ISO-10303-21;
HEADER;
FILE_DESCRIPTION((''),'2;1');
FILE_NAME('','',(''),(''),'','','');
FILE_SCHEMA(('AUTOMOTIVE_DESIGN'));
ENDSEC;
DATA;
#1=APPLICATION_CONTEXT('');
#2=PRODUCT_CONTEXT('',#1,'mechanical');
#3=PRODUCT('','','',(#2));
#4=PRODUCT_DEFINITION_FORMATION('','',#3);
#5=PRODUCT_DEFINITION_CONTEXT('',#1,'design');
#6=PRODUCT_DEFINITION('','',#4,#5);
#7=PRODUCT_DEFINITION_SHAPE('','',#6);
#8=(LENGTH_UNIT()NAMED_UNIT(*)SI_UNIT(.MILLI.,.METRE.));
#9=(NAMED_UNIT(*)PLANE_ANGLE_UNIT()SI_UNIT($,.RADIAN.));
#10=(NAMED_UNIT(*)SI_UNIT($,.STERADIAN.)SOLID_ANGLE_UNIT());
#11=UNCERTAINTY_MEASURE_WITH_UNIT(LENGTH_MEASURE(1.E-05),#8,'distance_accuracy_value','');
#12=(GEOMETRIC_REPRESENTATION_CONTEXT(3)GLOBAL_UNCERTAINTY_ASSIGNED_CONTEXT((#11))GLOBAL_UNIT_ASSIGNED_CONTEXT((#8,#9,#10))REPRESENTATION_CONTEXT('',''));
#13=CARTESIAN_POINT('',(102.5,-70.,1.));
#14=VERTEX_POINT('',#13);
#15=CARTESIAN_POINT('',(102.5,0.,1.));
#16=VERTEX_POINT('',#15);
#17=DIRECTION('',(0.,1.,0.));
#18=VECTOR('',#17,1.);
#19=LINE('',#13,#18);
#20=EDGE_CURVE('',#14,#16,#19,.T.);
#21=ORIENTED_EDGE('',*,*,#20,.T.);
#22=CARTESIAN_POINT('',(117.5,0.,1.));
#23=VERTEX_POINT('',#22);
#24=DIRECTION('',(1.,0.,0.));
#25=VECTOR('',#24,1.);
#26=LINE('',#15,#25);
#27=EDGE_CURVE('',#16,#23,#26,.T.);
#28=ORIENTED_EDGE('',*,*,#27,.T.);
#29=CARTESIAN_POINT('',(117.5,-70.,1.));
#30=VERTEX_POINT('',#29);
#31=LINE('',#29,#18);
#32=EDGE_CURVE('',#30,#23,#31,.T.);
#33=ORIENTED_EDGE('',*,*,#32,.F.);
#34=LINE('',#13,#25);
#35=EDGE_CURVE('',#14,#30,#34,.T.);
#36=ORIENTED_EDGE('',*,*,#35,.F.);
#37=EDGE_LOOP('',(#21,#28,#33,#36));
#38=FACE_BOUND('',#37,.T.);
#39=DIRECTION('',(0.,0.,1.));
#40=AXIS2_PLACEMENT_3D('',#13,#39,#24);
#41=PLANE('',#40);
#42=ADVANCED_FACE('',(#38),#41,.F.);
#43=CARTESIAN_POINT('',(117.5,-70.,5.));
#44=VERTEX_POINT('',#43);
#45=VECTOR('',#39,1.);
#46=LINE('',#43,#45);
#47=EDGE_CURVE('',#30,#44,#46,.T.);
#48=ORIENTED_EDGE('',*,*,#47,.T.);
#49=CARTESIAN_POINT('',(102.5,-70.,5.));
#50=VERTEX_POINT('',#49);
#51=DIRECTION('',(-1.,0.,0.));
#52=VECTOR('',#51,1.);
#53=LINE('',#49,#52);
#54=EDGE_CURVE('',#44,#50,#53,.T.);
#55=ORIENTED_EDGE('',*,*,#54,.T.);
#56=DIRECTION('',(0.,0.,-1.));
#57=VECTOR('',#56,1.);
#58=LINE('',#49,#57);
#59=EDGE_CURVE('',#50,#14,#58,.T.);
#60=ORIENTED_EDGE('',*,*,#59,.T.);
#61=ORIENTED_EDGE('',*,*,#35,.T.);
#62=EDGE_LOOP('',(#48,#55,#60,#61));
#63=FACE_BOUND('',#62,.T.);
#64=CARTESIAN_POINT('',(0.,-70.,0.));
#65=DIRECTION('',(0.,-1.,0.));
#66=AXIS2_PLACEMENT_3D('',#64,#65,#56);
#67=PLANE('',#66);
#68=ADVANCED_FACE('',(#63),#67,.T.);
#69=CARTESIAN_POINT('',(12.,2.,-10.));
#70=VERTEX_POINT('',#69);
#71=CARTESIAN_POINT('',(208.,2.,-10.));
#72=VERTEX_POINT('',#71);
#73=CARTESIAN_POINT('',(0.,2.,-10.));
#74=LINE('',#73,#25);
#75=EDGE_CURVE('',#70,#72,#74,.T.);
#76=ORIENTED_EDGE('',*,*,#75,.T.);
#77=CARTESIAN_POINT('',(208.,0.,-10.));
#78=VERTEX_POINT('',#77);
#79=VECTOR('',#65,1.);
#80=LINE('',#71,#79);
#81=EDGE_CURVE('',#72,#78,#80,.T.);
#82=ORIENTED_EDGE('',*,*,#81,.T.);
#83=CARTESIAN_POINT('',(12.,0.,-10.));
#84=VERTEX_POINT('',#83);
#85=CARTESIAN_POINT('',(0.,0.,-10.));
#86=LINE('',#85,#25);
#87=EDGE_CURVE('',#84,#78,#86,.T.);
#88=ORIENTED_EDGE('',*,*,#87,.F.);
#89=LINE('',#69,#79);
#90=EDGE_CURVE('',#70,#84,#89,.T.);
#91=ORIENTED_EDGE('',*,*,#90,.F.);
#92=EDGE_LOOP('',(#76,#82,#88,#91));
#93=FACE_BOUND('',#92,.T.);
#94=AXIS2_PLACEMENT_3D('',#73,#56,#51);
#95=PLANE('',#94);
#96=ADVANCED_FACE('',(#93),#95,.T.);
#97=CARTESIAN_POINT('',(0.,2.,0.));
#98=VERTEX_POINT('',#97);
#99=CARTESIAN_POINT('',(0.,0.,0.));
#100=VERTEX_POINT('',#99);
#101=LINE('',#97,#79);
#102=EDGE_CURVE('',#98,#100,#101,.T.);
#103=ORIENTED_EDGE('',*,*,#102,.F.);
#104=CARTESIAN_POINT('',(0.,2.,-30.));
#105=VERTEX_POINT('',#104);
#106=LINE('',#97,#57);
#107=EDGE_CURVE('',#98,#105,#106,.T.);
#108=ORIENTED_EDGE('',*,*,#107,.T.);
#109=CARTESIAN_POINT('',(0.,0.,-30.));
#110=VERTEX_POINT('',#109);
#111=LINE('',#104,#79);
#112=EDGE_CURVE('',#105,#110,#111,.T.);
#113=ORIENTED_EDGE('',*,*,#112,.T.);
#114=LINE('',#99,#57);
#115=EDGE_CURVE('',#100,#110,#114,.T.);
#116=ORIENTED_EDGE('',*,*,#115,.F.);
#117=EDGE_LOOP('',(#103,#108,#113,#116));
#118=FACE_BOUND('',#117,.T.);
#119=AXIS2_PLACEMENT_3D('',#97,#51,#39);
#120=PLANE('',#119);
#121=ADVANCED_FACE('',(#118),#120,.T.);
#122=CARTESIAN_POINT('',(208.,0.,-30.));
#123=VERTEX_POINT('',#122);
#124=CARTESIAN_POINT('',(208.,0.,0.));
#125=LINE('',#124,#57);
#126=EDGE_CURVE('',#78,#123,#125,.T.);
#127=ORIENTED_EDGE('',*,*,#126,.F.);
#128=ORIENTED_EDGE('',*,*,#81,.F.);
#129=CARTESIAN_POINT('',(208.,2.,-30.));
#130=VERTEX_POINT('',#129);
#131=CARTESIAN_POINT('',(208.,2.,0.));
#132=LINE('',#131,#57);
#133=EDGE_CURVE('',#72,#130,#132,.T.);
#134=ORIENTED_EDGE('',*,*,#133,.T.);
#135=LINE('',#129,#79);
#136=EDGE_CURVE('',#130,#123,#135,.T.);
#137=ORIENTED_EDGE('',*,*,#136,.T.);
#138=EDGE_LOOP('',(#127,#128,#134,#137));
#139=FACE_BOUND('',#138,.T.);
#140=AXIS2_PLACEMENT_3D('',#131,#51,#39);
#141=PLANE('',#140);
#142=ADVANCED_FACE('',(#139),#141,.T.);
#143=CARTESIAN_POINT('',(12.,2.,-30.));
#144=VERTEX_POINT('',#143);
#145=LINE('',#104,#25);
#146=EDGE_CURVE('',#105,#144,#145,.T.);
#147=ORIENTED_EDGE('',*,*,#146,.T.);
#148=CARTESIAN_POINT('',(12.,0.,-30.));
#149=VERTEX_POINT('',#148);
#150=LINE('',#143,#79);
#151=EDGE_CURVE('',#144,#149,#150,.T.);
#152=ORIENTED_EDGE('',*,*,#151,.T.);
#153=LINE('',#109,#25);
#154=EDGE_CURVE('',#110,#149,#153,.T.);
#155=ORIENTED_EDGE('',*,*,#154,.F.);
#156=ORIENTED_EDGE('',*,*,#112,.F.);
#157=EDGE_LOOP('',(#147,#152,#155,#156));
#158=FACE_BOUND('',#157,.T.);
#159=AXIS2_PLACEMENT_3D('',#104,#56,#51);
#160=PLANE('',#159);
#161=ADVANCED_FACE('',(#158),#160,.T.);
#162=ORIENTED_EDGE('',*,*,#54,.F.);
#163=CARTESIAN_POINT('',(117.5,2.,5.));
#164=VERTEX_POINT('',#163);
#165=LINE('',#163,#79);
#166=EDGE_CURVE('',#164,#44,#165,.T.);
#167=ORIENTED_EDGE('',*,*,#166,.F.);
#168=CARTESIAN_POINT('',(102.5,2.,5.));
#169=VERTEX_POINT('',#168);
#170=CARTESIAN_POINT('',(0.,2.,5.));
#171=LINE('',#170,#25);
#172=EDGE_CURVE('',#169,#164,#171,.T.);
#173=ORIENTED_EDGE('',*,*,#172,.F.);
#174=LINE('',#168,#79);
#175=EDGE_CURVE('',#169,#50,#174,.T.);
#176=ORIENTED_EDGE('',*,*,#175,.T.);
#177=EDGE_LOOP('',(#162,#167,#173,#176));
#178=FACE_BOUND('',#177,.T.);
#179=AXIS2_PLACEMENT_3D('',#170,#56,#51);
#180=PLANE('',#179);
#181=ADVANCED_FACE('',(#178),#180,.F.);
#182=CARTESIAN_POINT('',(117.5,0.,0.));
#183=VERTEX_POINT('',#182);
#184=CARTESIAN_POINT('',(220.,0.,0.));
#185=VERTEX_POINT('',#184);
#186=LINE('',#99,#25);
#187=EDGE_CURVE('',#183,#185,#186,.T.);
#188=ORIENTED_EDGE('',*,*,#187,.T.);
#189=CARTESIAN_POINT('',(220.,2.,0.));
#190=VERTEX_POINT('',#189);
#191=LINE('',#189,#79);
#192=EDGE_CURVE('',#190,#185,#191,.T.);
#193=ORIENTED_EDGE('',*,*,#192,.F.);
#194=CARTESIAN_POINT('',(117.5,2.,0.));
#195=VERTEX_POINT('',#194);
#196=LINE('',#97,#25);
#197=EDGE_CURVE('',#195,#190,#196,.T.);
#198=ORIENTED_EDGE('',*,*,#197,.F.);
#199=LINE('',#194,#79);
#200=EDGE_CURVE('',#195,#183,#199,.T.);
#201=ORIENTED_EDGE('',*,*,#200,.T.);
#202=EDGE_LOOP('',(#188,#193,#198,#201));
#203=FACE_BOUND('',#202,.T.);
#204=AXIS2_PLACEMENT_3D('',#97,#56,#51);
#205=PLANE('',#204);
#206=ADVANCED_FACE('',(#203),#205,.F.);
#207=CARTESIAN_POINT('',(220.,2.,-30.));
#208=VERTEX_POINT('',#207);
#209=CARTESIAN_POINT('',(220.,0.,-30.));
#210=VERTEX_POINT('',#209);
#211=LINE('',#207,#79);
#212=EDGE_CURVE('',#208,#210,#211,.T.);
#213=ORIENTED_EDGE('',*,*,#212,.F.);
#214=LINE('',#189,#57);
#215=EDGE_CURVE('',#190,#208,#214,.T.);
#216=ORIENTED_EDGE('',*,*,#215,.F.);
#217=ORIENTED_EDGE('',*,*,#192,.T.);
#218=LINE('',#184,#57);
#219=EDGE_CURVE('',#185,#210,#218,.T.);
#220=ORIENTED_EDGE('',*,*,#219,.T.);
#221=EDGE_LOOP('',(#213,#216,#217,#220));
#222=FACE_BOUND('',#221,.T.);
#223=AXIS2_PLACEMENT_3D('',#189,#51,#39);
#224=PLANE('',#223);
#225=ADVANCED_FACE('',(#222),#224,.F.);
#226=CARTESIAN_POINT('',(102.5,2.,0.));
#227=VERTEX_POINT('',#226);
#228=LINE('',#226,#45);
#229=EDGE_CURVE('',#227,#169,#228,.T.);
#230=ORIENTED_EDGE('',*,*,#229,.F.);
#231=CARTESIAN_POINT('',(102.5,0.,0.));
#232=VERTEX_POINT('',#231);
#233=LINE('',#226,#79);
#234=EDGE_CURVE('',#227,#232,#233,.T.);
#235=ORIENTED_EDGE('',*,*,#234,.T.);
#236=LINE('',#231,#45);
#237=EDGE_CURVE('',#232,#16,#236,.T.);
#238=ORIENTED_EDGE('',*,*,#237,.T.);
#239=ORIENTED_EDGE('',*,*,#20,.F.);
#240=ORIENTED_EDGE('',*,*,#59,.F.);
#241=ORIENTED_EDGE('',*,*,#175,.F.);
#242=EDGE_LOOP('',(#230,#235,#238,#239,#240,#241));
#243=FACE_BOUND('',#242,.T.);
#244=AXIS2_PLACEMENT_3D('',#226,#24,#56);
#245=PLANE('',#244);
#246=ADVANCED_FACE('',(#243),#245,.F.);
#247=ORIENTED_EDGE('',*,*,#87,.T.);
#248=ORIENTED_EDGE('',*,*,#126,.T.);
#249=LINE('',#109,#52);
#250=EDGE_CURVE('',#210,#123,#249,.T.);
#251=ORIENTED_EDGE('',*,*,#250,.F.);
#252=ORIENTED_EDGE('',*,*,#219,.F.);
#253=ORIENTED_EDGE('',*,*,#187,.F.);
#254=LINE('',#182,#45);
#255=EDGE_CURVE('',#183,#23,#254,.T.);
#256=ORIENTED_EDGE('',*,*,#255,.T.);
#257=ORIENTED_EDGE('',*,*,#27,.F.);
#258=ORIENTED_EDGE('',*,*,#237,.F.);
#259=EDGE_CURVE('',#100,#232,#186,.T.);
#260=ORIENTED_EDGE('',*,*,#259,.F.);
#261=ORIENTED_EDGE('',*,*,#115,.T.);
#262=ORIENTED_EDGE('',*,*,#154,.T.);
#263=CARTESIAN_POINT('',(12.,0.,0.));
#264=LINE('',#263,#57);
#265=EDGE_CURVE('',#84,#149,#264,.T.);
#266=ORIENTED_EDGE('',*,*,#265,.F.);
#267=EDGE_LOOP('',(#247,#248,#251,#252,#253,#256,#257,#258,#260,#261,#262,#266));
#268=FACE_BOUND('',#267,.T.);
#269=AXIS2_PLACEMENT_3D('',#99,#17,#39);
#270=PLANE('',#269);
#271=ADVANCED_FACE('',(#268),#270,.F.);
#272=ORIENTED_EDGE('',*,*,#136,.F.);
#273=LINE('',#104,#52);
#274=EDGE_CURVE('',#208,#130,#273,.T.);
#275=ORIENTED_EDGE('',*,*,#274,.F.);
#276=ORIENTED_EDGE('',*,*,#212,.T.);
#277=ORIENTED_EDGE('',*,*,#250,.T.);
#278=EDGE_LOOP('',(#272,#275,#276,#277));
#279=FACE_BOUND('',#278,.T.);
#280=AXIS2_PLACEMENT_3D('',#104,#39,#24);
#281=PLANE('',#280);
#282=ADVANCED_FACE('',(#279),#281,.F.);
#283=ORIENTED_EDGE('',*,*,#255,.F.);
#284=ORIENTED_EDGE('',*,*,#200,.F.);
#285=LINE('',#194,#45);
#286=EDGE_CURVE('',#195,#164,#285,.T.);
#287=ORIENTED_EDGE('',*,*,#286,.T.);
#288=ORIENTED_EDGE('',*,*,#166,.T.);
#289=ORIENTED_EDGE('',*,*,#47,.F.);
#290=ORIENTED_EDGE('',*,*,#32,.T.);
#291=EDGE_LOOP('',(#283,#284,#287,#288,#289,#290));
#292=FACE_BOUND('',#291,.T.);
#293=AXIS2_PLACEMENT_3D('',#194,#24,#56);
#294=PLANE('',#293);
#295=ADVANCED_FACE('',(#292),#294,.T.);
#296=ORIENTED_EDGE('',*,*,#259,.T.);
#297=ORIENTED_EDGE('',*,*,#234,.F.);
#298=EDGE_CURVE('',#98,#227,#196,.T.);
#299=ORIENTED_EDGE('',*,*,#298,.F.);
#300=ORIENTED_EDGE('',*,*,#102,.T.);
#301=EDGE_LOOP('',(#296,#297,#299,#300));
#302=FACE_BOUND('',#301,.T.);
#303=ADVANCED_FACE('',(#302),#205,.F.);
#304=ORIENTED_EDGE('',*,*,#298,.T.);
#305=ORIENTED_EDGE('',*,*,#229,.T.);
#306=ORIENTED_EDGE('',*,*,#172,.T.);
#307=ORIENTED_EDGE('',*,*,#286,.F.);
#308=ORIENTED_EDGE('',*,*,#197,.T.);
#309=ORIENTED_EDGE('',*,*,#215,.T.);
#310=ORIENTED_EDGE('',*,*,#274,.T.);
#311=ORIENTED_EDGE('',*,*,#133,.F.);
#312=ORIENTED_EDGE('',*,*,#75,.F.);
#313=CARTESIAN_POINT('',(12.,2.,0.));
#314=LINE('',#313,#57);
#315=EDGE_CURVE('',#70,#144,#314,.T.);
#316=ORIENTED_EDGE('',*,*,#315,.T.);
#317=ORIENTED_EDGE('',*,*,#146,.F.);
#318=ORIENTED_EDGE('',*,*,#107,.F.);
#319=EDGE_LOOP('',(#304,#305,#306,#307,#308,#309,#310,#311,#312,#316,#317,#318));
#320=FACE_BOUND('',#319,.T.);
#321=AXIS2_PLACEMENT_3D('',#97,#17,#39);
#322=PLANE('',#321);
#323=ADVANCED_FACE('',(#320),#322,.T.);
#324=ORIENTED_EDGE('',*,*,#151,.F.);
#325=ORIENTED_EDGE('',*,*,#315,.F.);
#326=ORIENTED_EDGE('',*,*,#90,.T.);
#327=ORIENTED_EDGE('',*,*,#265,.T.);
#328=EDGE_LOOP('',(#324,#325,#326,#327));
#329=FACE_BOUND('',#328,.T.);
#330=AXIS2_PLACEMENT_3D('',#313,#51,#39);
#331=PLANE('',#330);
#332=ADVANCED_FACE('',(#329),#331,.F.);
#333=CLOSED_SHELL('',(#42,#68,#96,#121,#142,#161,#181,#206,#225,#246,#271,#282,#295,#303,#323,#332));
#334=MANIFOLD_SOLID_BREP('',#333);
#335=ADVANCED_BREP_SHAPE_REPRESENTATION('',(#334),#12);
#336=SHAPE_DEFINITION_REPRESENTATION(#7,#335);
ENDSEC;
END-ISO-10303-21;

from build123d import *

# Parameters (mm, degrees)
SKETCH1_W           = 12
SKETCH1_H           = 20
BOSS_EXTRUDE1_DEPTH = 2
SKETCH2_W           = 15
SKETCH2_H           = 4
BOSS_EXTRUDE2_DEPTH = 70


with BuildPart() as part:
    # Sketch1 → Boss-Extrude1 (new body)
    with BuildSketch(Plane(origin=(0, 0, 0), x_dir=(1, 0, 0), z_dir=(0, 1, 0))):
        with Locations((6, 20)):
            Rectangle(SKETCH1_W, SKETCH1_H)
        Polygon((102.5, 0), (110, 0), (110, 10), (12, 10), (0, 10), (0, 0), align=None)
        Polygon((117.5, 0), (110, 0), (102.5, 0), (102.5, -5), (117.5, -5), align=None)
        Polygon((110, 10), (110, 0), (117.5, 0), (220, 0), (220, 10), (208, 10), align=None)
        with Locations((214, 20)):
            Rectangle(SKETCH1_W, SKETCH1_H)
    extrude(amount=BOSS_EXTRUDE1_DEPTH)

    # Sketch2 → Boss-Extrude2 (add)
    with BuildSketch(Plane.XZ):
        with Locations((110, 3)):
            Rectangle(SKETCH2_W, SKETCH2_H)
    extrude(amount=BOSS_EXTRUDE2_DEPTH)


solid = part.part
